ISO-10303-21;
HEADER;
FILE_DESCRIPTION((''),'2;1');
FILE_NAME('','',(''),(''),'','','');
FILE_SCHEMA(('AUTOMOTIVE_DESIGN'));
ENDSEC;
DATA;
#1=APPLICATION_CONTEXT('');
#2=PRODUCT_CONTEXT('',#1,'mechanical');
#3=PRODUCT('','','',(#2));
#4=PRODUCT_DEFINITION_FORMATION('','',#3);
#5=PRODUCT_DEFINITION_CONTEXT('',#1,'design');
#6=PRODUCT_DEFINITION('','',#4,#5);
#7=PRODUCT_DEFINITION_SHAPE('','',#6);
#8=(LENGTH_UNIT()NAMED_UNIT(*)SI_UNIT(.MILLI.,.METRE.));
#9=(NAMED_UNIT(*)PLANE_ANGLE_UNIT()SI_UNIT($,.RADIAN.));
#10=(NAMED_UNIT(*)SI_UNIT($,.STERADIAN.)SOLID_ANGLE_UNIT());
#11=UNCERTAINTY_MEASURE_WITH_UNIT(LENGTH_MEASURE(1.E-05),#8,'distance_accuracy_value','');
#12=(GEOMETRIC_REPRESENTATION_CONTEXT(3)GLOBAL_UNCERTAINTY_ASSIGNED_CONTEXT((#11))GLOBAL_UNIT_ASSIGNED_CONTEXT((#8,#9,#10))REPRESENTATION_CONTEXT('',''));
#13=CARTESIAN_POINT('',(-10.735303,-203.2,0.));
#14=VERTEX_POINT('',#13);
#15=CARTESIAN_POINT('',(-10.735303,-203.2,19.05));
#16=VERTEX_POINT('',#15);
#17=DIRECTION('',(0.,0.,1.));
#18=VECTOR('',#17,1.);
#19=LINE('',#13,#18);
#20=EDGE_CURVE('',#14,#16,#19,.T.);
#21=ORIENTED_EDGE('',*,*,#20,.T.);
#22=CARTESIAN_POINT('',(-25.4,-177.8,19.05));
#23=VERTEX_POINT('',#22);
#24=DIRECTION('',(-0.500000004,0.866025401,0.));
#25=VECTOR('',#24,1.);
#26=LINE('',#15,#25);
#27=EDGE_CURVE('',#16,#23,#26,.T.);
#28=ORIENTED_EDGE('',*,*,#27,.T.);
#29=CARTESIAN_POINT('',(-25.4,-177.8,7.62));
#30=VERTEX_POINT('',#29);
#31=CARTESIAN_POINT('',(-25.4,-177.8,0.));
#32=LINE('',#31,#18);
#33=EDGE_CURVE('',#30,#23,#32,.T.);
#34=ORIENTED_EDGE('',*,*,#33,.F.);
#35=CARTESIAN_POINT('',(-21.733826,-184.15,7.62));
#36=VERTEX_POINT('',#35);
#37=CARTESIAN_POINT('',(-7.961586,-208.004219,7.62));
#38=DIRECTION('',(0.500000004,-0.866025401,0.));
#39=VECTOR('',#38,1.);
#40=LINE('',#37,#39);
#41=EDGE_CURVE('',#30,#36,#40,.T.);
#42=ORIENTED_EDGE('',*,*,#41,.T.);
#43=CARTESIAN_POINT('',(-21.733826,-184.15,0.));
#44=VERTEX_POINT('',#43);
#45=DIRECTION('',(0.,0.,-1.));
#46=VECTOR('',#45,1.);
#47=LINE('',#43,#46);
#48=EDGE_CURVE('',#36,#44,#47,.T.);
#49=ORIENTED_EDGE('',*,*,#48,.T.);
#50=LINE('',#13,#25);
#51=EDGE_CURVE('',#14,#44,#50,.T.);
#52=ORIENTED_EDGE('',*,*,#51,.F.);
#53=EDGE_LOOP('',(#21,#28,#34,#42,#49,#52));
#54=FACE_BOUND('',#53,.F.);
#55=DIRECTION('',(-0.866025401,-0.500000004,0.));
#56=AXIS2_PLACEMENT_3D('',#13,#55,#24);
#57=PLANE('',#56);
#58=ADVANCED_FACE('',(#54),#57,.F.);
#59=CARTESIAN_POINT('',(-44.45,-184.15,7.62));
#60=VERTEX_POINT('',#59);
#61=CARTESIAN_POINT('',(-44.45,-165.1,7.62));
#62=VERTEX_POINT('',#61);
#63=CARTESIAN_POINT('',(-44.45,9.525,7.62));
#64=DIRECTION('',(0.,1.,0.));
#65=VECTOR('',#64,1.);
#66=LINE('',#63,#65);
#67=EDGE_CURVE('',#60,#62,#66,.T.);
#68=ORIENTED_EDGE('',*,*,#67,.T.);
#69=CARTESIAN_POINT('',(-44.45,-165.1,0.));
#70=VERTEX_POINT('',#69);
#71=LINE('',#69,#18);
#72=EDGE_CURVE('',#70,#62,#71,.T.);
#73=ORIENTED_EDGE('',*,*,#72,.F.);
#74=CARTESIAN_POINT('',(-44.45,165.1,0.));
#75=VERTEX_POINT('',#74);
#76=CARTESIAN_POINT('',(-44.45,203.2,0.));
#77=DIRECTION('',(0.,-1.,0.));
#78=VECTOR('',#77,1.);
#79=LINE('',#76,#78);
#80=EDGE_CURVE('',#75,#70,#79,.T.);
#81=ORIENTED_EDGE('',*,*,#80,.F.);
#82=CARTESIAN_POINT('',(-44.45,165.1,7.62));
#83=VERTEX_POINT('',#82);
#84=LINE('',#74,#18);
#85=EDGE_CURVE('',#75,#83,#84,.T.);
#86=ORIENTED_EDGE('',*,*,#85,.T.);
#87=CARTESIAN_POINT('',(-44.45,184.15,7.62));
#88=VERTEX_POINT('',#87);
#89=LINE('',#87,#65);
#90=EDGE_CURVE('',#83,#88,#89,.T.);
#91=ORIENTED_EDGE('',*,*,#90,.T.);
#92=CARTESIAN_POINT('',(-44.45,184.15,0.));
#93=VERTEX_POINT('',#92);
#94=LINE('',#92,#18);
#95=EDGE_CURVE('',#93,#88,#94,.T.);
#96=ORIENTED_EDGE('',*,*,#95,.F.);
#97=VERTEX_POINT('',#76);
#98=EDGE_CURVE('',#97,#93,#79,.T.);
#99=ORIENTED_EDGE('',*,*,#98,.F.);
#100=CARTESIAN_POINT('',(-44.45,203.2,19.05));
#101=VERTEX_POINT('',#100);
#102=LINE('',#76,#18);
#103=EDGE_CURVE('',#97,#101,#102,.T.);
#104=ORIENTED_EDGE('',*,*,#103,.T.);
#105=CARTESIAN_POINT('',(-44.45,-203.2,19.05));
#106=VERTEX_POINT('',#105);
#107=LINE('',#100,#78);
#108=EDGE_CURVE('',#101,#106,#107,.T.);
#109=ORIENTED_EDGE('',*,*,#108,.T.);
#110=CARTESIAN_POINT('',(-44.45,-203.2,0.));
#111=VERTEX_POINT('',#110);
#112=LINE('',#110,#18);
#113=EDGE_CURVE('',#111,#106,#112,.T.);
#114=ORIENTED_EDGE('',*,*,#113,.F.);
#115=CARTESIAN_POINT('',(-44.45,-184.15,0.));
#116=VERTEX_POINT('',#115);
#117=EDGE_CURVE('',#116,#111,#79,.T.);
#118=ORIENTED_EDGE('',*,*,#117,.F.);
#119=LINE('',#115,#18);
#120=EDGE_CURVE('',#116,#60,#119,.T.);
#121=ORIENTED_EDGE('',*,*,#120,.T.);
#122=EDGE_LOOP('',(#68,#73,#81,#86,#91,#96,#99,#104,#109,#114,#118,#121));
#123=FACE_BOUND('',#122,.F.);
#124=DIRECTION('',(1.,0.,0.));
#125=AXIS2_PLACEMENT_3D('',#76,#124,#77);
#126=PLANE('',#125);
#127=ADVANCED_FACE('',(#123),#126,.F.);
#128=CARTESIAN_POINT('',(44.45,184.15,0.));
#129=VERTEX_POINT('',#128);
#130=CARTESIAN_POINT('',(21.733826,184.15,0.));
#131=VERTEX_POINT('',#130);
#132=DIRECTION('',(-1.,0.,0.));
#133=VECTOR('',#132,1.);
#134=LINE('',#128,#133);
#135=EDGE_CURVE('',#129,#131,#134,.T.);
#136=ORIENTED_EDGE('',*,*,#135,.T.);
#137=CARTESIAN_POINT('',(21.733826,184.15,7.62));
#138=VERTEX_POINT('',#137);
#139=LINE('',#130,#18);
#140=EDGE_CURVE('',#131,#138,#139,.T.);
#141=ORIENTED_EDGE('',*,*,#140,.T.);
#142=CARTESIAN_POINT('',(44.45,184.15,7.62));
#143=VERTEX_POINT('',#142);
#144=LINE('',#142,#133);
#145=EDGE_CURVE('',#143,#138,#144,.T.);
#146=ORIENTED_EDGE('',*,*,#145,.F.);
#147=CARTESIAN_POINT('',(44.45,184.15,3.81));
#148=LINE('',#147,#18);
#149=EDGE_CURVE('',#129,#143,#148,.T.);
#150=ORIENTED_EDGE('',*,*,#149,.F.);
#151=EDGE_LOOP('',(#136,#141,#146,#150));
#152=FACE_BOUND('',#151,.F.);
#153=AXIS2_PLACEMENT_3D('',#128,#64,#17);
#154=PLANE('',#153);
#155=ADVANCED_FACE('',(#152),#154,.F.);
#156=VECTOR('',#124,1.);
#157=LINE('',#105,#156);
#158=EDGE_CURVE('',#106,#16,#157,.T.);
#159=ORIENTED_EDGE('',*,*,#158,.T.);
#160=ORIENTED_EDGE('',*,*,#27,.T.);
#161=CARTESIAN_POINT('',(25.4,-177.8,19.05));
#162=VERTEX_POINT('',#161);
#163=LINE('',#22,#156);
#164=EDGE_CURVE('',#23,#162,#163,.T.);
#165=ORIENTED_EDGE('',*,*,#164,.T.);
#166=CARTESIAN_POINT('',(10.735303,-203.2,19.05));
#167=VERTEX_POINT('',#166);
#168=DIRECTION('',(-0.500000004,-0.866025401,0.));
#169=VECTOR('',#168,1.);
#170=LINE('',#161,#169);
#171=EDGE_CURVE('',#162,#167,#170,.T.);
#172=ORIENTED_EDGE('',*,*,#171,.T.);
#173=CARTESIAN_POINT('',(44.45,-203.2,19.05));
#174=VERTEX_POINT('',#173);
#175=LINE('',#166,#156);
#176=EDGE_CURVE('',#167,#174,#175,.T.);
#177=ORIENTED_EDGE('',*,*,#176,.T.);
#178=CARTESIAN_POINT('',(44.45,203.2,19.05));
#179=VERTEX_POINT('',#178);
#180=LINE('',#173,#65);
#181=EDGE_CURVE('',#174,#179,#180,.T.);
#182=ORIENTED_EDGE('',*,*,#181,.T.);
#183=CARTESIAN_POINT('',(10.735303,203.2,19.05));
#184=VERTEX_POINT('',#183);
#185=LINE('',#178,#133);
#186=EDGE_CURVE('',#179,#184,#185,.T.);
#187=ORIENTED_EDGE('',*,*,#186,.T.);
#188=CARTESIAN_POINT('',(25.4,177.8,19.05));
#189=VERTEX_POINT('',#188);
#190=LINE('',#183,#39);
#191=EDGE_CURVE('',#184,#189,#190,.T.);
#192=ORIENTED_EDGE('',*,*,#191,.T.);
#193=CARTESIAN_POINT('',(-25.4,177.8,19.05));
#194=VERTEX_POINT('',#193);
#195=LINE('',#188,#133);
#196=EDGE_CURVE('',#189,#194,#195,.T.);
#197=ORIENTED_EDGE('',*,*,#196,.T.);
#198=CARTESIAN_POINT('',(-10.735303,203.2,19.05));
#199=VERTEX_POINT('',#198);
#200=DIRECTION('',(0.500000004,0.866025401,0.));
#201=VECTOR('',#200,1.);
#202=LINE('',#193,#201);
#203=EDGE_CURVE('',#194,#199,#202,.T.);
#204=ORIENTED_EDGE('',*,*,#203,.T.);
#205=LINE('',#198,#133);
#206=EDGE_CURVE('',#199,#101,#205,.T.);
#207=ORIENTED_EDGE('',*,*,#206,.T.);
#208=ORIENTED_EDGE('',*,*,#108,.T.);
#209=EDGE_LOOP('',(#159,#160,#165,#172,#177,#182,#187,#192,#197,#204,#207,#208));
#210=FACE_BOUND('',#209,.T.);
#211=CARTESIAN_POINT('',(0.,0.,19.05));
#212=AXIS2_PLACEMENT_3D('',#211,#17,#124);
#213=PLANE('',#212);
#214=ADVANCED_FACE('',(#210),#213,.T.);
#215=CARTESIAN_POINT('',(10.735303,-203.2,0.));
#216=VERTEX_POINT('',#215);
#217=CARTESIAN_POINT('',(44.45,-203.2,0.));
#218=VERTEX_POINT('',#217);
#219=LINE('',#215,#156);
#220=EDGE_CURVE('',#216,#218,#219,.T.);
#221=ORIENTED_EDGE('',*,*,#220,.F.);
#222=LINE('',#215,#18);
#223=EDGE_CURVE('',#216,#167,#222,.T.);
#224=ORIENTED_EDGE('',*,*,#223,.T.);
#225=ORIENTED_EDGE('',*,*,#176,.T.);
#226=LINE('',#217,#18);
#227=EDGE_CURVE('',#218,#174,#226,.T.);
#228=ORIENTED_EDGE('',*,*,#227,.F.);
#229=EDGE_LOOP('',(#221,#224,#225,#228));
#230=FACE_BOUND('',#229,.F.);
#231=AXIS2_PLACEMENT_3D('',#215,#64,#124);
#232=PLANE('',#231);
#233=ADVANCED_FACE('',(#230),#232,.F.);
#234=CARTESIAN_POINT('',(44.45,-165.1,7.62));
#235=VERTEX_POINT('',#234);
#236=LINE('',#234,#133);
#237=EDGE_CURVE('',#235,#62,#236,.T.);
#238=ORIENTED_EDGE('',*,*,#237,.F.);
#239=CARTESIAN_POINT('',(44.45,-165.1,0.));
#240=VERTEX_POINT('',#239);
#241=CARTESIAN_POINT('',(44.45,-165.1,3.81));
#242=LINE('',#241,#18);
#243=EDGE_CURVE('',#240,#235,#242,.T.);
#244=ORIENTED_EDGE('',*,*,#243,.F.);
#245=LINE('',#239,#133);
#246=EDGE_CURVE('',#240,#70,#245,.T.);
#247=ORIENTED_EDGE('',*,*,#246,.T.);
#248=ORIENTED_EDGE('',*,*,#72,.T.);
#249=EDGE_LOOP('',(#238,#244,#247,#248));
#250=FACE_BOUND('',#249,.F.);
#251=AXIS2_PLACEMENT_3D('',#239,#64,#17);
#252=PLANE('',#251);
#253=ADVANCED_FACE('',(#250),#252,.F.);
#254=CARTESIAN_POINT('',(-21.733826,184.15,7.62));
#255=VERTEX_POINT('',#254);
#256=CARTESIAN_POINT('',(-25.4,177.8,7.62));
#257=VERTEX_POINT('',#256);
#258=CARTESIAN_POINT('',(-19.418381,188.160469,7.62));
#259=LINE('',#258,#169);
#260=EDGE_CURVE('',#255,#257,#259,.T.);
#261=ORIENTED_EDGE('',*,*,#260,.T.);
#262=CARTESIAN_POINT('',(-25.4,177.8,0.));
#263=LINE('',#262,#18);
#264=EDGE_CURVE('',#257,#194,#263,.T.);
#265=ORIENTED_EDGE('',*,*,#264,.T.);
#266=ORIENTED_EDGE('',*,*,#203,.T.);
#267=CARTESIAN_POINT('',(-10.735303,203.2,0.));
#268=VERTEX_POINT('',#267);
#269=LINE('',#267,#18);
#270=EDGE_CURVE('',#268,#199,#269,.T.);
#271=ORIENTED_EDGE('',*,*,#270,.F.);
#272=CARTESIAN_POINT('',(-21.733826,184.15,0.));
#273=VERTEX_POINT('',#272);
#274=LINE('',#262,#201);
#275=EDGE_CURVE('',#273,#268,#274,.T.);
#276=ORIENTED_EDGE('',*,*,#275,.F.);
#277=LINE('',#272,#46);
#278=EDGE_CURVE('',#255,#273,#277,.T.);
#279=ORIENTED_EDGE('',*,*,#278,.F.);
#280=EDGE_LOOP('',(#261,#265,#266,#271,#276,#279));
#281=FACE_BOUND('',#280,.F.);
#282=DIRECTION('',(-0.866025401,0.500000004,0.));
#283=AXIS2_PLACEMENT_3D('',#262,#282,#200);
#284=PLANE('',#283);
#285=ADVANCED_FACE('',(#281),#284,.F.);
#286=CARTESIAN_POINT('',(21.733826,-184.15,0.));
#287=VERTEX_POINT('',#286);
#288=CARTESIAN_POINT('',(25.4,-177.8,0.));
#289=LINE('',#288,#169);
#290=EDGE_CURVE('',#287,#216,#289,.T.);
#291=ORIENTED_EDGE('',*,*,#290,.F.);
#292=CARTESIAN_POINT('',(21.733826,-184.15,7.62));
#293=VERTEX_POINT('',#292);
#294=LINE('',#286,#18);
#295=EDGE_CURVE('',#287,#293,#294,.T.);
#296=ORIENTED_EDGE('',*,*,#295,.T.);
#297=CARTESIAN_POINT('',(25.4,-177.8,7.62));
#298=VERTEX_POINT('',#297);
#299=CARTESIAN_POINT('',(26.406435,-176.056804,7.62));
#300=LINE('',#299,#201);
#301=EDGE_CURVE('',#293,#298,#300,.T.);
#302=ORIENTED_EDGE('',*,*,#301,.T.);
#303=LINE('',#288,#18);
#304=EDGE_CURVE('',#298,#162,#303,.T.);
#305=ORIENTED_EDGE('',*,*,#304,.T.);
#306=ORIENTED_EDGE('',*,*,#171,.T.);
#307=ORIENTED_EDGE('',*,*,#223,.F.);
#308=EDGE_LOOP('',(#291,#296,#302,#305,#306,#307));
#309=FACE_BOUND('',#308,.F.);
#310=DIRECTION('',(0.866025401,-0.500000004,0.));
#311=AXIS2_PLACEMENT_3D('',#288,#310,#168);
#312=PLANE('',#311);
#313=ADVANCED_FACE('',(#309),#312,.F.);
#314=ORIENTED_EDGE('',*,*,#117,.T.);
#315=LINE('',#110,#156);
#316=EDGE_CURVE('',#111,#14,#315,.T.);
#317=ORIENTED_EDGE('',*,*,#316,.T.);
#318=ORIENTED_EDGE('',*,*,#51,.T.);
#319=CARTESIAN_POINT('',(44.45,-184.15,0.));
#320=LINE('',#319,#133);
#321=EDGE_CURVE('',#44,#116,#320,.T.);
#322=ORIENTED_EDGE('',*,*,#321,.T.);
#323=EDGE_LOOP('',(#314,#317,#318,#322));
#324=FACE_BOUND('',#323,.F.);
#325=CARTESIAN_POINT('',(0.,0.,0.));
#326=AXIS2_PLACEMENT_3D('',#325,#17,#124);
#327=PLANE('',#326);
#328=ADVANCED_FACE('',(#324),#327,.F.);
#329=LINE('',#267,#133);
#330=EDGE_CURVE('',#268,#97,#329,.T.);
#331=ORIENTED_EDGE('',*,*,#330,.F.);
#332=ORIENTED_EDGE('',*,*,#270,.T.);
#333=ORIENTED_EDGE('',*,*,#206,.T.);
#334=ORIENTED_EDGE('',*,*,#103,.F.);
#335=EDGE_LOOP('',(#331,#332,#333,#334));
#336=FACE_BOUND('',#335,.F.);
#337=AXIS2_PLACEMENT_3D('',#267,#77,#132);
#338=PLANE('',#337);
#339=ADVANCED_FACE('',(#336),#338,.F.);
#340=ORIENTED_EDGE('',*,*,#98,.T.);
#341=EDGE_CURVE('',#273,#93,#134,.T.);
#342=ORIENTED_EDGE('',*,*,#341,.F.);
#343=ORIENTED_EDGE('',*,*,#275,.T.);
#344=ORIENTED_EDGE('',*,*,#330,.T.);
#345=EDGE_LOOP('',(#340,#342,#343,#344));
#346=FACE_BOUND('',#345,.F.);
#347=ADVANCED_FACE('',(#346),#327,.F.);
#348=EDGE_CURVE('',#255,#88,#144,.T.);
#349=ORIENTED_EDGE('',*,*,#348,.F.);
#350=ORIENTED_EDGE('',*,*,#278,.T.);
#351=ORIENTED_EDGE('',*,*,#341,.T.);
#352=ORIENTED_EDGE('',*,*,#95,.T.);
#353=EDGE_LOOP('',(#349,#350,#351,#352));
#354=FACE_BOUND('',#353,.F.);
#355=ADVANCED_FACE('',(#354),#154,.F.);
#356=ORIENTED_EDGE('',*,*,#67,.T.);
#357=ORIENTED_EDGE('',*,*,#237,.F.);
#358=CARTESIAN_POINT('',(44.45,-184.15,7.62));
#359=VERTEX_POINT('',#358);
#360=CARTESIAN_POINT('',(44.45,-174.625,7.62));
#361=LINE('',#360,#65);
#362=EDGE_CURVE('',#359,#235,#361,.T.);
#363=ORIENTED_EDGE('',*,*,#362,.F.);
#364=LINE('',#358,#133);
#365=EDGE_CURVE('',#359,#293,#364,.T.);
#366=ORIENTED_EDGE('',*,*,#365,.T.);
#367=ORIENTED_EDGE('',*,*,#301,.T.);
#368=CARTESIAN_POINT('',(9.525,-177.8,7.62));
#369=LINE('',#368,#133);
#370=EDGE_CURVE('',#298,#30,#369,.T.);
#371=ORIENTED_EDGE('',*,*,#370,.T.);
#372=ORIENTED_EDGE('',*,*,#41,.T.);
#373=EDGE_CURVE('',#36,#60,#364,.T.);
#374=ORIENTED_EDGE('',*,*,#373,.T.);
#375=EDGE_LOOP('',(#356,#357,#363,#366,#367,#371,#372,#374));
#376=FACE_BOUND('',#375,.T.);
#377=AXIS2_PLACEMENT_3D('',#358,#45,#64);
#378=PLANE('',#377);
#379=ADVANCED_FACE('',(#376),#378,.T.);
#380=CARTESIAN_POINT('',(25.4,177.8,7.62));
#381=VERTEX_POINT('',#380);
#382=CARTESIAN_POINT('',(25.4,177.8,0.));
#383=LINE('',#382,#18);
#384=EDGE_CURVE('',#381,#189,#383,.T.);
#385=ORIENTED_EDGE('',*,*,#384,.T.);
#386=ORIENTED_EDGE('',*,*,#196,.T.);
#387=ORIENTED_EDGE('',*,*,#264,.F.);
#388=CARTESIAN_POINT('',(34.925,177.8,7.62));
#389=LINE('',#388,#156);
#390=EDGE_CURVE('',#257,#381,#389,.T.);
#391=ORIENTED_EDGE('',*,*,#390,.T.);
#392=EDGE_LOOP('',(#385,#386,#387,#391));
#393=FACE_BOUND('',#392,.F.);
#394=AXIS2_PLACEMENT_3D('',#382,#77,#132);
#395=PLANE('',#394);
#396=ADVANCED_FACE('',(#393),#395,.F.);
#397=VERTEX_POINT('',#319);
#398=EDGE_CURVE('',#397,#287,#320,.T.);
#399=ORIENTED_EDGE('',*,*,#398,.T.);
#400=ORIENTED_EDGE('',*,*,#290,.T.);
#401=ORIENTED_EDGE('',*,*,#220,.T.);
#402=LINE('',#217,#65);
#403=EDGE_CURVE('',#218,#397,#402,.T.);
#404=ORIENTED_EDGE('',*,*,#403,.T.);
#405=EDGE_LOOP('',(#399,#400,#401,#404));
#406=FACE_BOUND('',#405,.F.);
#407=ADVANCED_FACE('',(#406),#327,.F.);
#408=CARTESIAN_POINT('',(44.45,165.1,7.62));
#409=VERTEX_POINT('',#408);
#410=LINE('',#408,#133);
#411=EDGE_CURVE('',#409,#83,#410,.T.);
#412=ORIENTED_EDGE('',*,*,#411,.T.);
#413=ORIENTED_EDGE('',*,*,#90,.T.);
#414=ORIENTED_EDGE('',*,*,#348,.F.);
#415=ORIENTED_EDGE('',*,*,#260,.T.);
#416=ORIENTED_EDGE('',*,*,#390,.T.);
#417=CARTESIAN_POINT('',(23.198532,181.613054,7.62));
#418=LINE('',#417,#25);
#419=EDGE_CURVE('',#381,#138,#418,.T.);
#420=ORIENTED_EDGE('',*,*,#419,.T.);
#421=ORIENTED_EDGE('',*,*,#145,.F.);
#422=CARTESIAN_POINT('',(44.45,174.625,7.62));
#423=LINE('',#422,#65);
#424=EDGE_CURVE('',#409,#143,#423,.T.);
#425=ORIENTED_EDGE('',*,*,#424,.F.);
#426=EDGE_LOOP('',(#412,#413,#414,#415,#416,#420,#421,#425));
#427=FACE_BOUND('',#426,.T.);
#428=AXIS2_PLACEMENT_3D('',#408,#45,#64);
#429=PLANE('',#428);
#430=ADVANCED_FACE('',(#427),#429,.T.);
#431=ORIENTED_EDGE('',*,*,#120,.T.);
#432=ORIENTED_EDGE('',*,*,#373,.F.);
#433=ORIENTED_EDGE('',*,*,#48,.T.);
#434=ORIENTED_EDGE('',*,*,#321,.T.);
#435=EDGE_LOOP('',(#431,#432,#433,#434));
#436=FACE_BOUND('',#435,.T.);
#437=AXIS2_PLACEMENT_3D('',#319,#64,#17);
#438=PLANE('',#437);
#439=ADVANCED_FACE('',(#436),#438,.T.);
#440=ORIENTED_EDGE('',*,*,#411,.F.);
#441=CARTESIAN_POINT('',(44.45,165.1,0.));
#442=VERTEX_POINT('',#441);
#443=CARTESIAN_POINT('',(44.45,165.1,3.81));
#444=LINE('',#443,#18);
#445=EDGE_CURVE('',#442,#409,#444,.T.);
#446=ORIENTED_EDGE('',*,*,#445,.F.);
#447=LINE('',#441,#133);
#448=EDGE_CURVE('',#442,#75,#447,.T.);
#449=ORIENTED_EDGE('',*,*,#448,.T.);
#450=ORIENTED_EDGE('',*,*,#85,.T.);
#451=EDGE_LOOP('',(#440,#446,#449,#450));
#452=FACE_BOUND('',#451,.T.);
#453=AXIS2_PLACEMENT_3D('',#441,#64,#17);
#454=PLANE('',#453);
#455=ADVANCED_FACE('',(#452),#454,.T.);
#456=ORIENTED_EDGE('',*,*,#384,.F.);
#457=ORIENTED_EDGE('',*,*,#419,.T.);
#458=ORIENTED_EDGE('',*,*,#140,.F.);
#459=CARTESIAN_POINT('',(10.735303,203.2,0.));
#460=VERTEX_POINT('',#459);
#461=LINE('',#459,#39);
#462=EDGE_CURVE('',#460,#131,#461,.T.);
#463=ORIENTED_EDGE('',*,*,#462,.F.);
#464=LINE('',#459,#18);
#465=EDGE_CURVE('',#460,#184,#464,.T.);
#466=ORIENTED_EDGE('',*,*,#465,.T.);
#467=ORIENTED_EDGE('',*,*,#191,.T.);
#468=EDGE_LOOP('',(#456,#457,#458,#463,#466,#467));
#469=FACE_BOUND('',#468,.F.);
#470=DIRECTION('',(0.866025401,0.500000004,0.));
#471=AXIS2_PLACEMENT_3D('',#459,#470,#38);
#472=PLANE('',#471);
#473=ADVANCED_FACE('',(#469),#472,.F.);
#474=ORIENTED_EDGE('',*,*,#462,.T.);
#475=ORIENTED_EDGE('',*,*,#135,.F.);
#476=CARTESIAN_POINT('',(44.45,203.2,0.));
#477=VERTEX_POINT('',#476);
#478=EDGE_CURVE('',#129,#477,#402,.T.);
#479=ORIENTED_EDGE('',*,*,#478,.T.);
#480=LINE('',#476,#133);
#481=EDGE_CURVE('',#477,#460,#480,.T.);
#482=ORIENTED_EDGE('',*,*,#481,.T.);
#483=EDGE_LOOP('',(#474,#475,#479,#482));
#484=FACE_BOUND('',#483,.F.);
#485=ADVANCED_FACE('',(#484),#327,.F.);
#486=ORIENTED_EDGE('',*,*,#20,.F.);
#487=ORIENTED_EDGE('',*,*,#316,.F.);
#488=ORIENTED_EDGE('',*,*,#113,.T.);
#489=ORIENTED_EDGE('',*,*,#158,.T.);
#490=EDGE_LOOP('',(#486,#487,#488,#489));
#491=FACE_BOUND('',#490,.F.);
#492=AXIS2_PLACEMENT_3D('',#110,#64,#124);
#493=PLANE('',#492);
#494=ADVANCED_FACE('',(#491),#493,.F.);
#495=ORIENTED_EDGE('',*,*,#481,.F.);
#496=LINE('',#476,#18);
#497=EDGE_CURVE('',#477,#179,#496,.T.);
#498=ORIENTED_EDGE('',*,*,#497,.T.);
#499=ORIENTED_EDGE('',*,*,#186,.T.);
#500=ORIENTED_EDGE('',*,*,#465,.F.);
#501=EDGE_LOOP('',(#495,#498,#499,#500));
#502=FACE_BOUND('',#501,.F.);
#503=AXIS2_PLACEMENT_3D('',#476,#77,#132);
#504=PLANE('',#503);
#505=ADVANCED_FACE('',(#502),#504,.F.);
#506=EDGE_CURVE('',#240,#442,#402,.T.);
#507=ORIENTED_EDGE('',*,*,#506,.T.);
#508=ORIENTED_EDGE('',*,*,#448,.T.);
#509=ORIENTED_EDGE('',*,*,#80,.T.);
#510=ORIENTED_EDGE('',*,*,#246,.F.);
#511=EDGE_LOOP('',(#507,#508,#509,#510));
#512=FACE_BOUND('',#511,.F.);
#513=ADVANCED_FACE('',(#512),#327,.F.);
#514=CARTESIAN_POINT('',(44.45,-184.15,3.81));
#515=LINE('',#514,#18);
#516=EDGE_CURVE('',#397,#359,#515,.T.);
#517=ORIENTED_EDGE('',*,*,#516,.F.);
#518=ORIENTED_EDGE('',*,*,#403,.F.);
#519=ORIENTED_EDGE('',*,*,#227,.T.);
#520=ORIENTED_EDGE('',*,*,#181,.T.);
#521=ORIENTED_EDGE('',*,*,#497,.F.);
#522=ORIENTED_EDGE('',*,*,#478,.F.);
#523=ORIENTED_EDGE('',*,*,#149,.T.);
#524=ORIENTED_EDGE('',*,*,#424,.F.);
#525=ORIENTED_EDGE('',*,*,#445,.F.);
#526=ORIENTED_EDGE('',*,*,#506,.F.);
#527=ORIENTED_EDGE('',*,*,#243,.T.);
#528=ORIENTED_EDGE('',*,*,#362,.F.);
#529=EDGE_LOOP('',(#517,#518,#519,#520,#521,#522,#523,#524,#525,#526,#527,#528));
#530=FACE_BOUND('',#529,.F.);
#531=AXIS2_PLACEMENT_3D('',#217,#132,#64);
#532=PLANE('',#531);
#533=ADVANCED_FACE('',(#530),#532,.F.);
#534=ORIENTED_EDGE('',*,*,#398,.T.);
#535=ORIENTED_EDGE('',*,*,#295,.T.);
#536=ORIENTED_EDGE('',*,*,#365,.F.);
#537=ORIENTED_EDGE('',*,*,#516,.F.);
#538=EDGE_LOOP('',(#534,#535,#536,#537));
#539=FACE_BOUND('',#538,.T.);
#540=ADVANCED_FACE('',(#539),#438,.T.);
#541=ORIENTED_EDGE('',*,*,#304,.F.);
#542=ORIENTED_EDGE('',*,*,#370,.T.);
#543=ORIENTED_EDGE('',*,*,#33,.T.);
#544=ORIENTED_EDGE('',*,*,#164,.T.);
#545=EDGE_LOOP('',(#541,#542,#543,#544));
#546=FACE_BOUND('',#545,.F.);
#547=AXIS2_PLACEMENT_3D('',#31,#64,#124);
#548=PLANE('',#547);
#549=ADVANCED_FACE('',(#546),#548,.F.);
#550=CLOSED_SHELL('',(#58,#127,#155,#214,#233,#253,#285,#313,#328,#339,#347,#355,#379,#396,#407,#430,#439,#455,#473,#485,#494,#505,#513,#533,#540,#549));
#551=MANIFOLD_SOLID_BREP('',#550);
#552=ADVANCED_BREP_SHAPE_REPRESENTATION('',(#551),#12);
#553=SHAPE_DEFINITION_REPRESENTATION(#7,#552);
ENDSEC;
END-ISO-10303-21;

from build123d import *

# Parameters (mm, degrees)
F1_DEPTH = 19.05
F2_W     = 19.05
F2_H     = 7.62
F3_DEPTH = 88.901


with BuildPart() as f1:
    # F0 (on Top) → F1 (new body)
    with BuildSketch(Plane.XY):
        Polygon((44.45, -203.2), (44.45, 203.2), (10.735303, 203.2), (25.4, 177.8), (-25.4, 177.8), (-10.735303, 203.2), (-44.45, 203.2), (-44.45, -203.2), (-10.735303, -203.2), (-25.4, -177.8), (25.4, -177.8), (10.735303, -203.2), align=None)
    extrude(amount=F1_DEPTH)

    # F2 (on face) → F3 (cut, through all)
    with BuildSketch(Plane.YZ.offset(44.45)):
        with Locations((-174.625, 3.81)):
            Rectangle(F2_W, F2_H)
        with Locations((174.625, 3.81)):
            Rectangle(F2_W, F2_H)
    extrude(amount=-F3_DEPTH, mode=Mode.SUBTRACT)


solid = f1.part
